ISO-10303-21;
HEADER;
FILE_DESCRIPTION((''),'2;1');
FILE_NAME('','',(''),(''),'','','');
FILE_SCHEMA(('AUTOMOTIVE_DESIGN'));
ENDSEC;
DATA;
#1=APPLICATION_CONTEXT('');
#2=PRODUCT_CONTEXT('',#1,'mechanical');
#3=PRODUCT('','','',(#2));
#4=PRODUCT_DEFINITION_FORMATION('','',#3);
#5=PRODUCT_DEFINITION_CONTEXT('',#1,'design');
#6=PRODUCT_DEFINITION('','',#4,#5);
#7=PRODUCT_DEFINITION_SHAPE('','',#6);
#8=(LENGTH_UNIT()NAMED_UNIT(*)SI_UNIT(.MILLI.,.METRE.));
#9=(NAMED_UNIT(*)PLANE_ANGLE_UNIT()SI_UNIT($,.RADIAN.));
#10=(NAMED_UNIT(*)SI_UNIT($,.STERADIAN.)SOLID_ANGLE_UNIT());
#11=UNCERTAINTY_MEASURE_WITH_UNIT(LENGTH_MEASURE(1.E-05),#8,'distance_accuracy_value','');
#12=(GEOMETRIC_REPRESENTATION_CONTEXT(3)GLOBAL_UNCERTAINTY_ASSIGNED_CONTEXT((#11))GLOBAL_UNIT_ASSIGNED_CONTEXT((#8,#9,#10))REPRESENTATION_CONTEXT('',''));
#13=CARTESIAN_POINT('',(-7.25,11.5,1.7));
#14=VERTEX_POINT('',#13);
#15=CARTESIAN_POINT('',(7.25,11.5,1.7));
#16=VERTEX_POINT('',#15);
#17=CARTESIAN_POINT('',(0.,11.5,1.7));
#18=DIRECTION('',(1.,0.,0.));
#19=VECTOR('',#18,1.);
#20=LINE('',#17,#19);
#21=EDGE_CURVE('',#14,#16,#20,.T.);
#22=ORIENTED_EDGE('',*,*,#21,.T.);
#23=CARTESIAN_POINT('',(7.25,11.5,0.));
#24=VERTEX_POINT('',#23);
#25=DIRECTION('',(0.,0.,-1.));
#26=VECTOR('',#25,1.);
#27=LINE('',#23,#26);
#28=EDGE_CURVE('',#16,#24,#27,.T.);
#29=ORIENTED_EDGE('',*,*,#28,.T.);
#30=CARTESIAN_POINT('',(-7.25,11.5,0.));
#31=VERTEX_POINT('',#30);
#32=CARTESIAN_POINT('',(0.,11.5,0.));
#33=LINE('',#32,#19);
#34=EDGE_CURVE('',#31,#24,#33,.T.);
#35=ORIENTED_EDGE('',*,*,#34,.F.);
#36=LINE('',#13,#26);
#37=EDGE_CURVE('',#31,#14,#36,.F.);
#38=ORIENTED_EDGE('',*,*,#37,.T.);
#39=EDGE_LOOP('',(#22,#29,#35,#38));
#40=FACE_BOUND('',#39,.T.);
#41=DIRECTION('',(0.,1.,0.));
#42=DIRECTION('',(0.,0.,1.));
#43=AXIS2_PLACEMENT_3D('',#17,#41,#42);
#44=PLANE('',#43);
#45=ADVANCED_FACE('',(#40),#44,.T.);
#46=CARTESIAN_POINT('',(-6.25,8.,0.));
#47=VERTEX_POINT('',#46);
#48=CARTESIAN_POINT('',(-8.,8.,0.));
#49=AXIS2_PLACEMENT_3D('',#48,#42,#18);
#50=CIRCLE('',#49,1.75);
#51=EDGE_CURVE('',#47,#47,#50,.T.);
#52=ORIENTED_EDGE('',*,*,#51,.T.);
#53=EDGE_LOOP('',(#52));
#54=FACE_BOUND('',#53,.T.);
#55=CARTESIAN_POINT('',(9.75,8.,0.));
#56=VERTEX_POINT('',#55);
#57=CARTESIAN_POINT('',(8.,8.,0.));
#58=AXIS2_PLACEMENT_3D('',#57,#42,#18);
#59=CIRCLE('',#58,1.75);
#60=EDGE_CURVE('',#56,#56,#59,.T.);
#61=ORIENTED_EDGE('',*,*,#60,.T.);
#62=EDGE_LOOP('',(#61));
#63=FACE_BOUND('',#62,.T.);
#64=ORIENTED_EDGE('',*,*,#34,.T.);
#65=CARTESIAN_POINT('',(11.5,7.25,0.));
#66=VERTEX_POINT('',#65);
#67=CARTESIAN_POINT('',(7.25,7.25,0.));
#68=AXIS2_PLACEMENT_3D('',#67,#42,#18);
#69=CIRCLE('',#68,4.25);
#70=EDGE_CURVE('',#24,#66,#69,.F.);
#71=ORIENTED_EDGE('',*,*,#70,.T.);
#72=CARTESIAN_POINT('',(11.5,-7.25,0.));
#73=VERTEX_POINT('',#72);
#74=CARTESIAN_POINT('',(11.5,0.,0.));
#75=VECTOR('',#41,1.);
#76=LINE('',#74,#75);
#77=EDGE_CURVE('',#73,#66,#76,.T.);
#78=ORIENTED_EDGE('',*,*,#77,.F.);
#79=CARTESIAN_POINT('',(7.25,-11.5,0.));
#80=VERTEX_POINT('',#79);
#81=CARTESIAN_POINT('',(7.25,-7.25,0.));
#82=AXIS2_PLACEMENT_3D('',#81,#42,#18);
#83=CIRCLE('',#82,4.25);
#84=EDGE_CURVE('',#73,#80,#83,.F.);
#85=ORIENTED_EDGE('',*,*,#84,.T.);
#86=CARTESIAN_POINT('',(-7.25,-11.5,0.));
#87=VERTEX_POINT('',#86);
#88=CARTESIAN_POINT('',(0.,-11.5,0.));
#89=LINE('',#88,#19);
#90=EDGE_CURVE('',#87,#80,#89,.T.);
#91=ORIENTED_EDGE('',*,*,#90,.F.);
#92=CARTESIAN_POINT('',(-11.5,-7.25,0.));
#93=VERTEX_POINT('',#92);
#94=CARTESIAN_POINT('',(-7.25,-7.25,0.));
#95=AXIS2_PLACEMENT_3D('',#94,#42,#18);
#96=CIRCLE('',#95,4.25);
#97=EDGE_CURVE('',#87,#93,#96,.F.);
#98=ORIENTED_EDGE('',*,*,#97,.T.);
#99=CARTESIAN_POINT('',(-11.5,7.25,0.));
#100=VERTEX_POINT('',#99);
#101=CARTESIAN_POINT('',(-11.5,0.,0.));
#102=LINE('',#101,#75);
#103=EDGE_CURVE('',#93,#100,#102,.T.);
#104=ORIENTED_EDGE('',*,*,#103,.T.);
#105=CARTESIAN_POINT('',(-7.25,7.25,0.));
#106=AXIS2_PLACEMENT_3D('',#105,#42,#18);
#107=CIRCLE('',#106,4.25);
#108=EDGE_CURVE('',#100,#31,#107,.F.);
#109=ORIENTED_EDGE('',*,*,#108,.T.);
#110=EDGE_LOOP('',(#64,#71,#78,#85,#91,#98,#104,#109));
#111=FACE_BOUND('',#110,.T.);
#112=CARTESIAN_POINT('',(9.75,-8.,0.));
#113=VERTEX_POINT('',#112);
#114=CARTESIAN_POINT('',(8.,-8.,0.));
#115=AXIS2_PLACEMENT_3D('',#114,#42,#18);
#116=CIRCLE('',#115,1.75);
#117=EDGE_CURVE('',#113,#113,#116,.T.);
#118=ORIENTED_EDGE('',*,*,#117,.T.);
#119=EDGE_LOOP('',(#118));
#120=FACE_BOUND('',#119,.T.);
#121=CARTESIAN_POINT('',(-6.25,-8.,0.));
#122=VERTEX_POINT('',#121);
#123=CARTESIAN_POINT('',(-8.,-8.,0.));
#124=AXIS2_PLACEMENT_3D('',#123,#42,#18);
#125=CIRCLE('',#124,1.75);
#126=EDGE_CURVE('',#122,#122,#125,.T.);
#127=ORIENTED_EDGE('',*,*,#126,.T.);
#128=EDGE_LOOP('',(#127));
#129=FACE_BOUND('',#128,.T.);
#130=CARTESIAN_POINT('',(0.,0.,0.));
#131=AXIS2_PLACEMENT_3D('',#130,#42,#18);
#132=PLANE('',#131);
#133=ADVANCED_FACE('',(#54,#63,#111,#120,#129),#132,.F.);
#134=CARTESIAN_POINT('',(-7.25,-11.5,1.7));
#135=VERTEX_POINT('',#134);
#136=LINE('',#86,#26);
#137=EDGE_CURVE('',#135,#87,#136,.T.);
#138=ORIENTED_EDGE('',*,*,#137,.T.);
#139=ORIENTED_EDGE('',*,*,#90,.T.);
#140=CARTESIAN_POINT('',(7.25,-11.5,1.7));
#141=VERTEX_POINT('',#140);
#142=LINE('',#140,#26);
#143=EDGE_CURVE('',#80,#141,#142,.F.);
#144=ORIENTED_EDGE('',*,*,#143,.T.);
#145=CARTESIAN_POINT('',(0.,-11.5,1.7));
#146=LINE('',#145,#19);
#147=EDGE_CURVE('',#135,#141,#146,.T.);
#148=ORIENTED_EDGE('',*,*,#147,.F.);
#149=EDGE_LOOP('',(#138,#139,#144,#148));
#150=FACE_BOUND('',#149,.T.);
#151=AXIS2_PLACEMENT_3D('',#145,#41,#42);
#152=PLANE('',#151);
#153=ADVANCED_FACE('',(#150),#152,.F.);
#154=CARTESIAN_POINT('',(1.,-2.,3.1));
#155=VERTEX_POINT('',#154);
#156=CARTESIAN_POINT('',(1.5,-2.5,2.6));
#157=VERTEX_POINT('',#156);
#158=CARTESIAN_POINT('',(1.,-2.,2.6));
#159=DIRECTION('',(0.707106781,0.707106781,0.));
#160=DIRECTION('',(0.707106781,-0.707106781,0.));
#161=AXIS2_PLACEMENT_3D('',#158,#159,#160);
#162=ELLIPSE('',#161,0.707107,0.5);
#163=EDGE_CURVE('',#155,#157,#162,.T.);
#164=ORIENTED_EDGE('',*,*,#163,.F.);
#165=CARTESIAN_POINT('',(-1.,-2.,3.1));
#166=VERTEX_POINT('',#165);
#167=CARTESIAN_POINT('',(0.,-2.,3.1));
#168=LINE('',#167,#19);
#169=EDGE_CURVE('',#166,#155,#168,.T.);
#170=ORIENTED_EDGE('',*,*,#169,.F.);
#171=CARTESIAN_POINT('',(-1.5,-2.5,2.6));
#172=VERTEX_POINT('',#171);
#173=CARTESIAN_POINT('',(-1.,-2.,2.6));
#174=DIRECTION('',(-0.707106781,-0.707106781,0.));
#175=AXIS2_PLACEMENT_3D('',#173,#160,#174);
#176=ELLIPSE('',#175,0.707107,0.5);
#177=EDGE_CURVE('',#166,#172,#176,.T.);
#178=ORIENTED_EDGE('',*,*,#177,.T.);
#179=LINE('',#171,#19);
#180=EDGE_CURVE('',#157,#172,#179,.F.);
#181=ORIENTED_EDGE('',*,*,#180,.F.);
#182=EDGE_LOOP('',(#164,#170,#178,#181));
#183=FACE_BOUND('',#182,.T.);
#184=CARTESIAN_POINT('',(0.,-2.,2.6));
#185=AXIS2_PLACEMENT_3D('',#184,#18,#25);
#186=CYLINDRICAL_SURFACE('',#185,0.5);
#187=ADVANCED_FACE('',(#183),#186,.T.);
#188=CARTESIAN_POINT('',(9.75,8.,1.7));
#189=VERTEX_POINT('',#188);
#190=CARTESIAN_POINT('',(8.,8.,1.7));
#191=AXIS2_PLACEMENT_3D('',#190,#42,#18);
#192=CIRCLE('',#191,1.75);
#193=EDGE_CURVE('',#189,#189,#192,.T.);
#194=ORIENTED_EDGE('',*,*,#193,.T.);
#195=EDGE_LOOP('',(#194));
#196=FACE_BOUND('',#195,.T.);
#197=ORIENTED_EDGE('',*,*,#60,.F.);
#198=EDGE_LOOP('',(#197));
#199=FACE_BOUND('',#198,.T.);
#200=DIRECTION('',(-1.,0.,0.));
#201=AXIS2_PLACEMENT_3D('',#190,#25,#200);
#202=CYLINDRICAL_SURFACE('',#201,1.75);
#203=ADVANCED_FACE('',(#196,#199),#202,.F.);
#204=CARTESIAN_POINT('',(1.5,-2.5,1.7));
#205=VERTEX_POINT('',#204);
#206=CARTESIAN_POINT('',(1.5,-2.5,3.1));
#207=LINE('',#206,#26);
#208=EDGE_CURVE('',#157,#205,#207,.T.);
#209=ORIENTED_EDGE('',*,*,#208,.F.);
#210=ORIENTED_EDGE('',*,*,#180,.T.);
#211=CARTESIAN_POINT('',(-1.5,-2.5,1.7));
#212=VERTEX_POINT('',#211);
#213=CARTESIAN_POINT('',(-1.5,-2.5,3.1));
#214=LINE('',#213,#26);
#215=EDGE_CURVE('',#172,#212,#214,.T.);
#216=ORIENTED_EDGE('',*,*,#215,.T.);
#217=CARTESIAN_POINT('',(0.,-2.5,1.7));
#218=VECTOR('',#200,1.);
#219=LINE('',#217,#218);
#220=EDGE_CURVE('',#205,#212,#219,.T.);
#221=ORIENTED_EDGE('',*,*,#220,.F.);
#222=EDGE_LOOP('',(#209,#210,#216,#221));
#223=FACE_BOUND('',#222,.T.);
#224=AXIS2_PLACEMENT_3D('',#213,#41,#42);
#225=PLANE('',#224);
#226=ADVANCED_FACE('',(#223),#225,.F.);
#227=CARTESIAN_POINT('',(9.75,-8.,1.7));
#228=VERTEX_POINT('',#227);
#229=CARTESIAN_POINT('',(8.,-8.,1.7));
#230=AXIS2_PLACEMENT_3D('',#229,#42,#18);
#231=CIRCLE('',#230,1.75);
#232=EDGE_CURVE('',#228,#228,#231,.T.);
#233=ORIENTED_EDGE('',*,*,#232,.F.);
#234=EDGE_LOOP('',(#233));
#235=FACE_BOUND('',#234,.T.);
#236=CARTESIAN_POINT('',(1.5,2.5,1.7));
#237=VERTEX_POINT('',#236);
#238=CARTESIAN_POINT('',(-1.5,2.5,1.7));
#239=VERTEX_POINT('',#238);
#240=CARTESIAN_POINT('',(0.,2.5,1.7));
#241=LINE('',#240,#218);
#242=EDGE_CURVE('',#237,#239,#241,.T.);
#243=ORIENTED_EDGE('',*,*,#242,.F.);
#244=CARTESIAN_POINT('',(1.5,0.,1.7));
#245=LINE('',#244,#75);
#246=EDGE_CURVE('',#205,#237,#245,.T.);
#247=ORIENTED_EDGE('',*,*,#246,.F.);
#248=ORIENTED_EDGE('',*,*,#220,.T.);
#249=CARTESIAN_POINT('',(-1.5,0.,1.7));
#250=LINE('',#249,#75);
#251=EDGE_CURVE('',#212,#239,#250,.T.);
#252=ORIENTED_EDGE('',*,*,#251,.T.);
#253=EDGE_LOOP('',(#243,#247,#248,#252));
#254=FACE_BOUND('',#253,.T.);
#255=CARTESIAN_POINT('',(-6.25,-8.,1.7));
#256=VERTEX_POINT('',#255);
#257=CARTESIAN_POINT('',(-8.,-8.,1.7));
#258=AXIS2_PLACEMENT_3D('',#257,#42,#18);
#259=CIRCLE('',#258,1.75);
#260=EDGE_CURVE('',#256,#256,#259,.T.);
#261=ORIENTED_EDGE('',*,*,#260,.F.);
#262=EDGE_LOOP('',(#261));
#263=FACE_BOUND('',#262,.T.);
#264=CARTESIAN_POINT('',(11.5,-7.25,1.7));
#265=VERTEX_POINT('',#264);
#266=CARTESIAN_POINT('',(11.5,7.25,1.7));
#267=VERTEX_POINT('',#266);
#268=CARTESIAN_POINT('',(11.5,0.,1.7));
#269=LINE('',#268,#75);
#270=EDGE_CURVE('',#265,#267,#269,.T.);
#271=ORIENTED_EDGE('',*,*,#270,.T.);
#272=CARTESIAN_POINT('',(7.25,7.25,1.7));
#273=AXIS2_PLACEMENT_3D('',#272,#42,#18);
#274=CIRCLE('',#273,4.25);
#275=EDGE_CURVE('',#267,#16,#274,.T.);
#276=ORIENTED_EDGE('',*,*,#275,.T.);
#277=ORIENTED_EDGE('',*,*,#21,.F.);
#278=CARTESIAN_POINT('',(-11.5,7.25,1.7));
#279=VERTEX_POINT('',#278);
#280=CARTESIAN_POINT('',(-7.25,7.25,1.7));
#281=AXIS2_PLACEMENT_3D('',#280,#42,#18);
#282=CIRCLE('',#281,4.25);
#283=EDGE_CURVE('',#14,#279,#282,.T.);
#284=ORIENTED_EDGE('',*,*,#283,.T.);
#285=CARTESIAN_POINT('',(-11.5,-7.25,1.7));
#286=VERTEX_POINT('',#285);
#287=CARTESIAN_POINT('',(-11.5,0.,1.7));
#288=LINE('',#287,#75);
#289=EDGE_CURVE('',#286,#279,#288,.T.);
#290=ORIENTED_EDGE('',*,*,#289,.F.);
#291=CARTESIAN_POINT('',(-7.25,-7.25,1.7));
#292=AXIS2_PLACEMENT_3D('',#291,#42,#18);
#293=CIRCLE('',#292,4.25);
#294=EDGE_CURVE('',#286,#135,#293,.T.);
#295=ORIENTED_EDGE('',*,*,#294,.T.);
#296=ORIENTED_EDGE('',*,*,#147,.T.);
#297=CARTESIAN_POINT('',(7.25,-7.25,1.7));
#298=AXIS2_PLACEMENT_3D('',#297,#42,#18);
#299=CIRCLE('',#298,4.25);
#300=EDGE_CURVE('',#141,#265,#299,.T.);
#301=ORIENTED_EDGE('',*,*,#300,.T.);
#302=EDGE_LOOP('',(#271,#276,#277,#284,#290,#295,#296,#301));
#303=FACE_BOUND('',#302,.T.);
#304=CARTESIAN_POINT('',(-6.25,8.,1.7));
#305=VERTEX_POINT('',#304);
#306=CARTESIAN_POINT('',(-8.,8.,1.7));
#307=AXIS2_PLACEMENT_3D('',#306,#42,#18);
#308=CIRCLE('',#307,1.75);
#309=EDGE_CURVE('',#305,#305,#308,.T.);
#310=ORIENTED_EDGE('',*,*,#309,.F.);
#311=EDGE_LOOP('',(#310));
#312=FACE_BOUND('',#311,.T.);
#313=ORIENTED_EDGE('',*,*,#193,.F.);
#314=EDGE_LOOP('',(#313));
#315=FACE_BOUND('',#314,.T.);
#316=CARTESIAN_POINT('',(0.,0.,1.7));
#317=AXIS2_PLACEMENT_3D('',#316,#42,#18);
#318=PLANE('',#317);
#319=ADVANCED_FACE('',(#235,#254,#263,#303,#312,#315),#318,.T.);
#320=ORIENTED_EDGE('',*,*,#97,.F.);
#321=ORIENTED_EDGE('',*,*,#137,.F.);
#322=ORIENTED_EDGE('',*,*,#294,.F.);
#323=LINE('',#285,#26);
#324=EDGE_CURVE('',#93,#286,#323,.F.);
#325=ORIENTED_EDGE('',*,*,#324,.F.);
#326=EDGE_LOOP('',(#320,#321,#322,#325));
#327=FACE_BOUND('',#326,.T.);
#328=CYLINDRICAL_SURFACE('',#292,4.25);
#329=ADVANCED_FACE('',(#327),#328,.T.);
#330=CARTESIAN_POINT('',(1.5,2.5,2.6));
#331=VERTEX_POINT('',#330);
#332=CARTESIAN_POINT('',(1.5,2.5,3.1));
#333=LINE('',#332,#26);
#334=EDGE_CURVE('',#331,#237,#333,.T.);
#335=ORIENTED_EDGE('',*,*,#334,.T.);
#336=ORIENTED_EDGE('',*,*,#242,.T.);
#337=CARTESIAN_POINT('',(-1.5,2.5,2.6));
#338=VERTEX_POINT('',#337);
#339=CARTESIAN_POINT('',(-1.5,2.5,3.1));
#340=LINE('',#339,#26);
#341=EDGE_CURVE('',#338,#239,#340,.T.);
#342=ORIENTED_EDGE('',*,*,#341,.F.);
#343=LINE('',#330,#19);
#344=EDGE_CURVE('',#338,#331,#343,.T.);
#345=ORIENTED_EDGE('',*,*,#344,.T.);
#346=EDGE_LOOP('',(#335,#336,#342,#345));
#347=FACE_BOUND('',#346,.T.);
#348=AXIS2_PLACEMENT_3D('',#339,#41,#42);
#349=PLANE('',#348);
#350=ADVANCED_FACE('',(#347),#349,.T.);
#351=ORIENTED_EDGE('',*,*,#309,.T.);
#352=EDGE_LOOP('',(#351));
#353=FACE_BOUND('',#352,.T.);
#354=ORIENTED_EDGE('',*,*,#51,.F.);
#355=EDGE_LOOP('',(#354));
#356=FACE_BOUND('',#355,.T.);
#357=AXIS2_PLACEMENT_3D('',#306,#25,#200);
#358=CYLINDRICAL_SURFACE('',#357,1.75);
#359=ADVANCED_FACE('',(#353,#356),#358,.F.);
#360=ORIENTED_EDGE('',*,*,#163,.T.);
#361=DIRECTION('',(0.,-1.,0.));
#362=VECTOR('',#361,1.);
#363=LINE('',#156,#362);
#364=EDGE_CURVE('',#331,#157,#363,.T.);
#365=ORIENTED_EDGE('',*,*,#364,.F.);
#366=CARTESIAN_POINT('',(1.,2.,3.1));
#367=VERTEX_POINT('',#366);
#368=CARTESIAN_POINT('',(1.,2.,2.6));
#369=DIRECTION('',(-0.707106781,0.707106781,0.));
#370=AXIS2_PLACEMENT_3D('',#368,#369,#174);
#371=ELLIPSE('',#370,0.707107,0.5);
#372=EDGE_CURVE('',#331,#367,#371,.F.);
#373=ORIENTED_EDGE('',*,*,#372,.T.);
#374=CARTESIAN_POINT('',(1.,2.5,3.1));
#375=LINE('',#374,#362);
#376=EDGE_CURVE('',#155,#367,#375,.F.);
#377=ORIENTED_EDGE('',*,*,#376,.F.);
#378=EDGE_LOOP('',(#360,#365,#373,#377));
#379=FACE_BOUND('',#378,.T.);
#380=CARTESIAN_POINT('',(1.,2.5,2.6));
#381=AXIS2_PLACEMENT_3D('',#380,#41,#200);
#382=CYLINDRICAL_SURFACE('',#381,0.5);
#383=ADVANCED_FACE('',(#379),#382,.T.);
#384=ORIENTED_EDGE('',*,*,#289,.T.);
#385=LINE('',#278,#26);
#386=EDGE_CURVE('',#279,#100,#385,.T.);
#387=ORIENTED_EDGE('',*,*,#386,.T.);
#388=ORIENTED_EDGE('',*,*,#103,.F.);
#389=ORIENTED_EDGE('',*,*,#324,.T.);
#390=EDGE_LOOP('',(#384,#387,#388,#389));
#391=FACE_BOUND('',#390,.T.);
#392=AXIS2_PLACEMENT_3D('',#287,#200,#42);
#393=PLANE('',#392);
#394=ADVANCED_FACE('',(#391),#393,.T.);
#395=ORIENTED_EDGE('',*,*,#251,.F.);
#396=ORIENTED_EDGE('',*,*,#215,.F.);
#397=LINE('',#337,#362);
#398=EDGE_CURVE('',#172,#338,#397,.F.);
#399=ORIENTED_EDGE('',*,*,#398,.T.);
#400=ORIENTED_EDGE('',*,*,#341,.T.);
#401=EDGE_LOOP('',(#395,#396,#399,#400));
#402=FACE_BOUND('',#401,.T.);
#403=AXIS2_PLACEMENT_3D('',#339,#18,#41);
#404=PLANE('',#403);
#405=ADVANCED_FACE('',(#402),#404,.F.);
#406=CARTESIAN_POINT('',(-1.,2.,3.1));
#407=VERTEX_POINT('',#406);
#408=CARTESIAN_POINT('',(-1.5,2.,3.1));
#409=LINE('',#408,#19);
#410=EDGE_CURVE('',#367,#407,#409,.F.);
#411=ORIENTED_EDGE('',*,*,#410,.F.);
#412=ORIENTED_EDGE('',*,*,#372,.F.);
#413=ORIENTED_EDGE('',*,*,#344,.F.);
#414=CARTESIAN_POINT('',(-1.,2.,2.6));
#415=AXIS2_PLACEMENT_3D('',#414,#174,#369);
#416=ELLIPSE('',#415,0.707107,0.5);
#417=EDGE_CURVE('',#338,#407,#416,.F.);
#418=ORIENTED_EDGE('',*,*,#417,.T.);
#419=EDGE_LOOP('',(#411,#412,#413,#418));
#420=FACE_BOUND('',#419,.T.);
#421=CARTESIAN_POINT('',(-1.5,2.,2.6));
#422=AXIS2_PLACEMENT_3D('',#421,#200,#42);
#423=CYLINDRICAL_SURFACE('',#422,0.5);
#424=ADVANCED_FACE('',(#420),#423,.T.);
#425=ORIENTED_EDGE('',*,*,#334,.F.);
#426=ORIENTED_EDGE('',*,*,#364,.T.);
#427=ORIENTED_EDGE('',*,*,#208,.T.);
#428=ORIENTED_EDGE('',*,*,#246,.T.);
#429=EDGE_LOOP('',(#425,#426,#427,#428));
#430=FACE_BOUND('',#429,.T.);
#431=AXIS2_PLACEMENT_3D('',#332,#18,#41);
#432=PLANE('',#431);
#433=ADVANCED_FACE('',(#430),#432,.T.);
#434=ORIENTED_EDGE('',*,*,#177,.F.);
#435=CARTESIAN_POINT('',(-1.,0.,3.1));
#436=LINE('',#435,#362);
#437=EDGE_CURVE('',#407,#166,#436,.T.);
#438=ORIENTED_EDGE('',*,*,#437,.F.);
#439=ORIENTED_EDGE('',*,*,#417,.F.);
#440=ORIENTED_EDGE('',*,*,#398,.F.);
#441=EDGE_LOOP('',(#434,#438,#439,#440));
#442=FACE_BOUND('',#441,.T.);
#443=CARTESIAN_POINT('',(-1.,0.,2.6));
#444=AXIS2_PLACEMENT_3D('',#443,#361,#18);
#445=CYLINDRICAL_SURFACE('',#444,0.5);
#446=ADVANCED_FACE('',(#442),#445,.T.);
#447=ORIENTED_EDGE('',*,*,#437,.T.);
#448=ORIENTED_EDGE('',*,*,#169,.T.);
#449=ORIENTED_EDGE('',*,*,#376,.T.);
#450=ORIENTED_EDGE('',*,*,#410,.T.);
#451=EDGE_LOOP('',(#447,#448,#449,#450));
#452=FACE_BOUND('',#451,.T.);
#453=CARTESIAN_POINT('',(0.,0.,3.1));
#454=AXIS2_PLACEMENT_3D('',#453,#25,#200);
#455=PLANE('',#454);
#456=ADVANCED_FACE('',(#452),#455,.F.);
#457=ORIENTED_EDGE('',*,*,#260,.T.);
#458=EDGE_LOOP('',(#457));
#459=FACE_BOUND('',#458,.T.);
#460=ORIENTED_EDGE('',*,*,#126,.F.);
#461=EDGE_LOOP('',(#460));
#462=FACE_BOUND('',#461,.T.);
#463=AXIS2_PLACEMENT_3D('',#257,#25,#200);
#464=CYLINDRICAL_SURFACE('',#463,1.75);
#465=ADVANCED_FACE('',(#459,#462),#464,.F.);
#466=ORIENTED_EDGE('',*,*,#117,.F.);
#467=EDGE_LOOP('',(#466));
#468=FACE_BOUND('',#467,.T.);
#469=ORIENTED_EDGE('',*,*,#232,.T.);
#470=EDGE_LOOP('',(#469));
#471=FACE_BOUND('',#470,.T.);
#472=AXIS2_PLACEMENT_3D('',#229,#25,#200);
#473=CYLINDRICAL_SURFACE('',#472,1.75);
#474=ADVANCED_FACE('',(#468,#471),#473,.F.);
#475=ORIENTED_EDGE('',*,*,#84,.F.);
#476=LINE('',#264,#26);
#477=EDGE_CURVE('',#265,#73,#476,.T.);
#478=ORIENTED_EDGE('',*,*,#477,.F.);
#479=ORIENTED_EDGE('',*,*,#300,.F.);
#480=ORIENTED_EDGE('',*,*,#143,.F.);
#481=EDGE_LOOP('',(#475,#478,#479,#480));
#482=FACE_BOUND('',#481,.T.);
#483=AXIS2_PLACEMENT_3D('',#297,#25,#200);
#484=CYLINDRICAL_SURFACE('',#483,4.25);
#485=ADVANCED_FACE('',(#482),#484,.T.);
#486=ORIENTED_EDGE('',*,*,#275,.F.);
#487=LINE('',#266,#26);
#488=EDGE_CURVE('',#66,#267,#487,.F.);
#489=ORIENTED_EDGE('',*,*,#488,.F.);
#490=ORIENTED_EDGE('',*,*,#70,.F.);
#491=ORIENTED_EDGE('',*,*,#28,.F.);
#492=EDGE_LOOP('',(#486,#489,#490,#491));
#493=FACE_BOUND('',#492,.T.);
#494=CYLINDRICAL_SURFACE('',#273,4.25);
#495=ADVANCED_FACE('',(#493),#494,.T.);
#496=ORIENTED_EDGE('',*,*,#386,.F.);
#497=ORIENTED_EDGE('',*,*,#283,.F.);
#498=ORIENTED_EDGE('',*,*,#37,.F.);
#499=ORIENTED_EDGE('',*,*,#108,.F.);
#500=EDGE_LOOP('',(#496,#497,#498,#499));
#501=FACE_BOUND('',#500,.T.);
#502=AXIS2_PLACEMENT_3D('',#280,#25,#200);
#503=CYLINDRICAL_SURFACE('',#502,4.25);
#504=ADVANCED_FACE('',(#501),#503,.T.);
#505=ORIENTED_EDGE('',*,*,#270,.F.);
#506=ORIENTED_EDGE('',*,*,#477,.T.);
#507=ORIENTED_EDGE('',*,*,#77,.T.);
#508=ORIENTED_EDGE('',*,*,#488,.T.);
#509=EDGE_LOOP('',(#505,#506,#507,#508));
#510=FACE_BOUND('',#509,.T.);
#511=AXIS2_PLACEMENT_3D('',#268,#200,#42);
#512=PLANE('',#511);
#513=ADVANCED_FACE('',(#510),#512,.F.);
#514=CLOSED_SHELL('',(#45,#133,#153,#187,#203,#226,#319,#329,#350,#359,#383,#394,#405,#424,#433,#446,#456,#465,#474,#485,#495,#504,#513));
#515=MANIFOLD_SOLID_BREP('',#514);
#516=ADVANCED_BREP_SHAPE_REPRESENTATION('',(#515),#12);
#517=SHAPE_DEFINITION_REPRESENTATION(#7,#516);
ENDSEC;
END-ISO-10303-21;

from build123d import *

# Parameters (mm, degrees)
SKETCH_2_W      = 23
SKETCH_2_H      = 23
SKETCH_2_R      = 1.75
EXTRUDE_1_DEPTH = 1.7
SKETCH_2_3_W    = 3
SKETCH_2_3_H    = 5
EXTRUDE_2_DEPTH = 3.1
FILLET_2_R      = 4.25
FILLET_3_R      = 4.25
FILLET_4_R      = 4.25
FILLET_5_R      = 4.25
FILLET_6_R      = 0.5


with BuildPart() as part:
    # 草图2 → 凸台-拉伸1 (new body)
    with BuildSketch(Plane.XY):
        Rectangle(SKETCH_2_W, SKETCH_2_H)
        with Locations((8, 8)):
            Circle(SKETCH_2_R, mode=Mode.SUBTRACT)
        with Locations((-8, 8)):
            Circle(SKETCH_2_R, mode=Mode.SUBTRACT)
        with Locations((8, -8)):
            Circle(SKETCH_2_R, mode=Mode.SUBTRACT)
        with Locations((-8, -8)):
            Circle(SKETCH_2_R, mode=Mode.SUBTRACT)
    extrude(amount=EXTRUDE_1_DEPTH)

    # 草图2<3> → 凸台-拉伸2 (add)
    with BuildSketch(Plane.XY):
        Rectangle(SKETCH_2_3_W, SKETCH_2_3_H)
    extrude(amount=EXTRUDE_2_DEPTH)

    # 圆角2
    fillet_2_edges = [part.edges().sort_by_distance(p)[0] for p in [
        (11.5, 11.5, 0.85),
    ]]
    fillet(fillet_2_edges, radius=FILLET_2_R)

    # 圆角3
    fillet_3_edges = [part.edges().sort_by_distance(p)[0] for p in [
        (-11.5, 11.5, 0.85),
    ]]
    fillet(fillet_3_edges, radius=FILLET_3_R)

    # 圆角4
    fillet_4_edges = [part.edges().sort_by_distance(p)[0] for p in [
        (-11.5, -11.5, 0.85),
    ]]
    fillet(fillet_4_edges, radius=FILLET_4_R)

    # 圆角5
    fillet_5_edges = [part.edges().sort_by_distance(p)[0] for p in [
        (11.5, -11.5, 0.85),
    ]]
    fillet(fillet_5_edges, radius=FILLET_5_R)

    # 圆角6
    fillet_6_edges = [part.edges().sort_by_distance(p)[0] for p in [
        (0, 2.5, 3.1),
        (1.5, 0, 3.1),
        (-1.5, 0, 3.1),
        (0, -2.5, 3.1),
    ]]
    fillet(fillet_6_edges, radius=FILLET_6_R)


solid = part.part
